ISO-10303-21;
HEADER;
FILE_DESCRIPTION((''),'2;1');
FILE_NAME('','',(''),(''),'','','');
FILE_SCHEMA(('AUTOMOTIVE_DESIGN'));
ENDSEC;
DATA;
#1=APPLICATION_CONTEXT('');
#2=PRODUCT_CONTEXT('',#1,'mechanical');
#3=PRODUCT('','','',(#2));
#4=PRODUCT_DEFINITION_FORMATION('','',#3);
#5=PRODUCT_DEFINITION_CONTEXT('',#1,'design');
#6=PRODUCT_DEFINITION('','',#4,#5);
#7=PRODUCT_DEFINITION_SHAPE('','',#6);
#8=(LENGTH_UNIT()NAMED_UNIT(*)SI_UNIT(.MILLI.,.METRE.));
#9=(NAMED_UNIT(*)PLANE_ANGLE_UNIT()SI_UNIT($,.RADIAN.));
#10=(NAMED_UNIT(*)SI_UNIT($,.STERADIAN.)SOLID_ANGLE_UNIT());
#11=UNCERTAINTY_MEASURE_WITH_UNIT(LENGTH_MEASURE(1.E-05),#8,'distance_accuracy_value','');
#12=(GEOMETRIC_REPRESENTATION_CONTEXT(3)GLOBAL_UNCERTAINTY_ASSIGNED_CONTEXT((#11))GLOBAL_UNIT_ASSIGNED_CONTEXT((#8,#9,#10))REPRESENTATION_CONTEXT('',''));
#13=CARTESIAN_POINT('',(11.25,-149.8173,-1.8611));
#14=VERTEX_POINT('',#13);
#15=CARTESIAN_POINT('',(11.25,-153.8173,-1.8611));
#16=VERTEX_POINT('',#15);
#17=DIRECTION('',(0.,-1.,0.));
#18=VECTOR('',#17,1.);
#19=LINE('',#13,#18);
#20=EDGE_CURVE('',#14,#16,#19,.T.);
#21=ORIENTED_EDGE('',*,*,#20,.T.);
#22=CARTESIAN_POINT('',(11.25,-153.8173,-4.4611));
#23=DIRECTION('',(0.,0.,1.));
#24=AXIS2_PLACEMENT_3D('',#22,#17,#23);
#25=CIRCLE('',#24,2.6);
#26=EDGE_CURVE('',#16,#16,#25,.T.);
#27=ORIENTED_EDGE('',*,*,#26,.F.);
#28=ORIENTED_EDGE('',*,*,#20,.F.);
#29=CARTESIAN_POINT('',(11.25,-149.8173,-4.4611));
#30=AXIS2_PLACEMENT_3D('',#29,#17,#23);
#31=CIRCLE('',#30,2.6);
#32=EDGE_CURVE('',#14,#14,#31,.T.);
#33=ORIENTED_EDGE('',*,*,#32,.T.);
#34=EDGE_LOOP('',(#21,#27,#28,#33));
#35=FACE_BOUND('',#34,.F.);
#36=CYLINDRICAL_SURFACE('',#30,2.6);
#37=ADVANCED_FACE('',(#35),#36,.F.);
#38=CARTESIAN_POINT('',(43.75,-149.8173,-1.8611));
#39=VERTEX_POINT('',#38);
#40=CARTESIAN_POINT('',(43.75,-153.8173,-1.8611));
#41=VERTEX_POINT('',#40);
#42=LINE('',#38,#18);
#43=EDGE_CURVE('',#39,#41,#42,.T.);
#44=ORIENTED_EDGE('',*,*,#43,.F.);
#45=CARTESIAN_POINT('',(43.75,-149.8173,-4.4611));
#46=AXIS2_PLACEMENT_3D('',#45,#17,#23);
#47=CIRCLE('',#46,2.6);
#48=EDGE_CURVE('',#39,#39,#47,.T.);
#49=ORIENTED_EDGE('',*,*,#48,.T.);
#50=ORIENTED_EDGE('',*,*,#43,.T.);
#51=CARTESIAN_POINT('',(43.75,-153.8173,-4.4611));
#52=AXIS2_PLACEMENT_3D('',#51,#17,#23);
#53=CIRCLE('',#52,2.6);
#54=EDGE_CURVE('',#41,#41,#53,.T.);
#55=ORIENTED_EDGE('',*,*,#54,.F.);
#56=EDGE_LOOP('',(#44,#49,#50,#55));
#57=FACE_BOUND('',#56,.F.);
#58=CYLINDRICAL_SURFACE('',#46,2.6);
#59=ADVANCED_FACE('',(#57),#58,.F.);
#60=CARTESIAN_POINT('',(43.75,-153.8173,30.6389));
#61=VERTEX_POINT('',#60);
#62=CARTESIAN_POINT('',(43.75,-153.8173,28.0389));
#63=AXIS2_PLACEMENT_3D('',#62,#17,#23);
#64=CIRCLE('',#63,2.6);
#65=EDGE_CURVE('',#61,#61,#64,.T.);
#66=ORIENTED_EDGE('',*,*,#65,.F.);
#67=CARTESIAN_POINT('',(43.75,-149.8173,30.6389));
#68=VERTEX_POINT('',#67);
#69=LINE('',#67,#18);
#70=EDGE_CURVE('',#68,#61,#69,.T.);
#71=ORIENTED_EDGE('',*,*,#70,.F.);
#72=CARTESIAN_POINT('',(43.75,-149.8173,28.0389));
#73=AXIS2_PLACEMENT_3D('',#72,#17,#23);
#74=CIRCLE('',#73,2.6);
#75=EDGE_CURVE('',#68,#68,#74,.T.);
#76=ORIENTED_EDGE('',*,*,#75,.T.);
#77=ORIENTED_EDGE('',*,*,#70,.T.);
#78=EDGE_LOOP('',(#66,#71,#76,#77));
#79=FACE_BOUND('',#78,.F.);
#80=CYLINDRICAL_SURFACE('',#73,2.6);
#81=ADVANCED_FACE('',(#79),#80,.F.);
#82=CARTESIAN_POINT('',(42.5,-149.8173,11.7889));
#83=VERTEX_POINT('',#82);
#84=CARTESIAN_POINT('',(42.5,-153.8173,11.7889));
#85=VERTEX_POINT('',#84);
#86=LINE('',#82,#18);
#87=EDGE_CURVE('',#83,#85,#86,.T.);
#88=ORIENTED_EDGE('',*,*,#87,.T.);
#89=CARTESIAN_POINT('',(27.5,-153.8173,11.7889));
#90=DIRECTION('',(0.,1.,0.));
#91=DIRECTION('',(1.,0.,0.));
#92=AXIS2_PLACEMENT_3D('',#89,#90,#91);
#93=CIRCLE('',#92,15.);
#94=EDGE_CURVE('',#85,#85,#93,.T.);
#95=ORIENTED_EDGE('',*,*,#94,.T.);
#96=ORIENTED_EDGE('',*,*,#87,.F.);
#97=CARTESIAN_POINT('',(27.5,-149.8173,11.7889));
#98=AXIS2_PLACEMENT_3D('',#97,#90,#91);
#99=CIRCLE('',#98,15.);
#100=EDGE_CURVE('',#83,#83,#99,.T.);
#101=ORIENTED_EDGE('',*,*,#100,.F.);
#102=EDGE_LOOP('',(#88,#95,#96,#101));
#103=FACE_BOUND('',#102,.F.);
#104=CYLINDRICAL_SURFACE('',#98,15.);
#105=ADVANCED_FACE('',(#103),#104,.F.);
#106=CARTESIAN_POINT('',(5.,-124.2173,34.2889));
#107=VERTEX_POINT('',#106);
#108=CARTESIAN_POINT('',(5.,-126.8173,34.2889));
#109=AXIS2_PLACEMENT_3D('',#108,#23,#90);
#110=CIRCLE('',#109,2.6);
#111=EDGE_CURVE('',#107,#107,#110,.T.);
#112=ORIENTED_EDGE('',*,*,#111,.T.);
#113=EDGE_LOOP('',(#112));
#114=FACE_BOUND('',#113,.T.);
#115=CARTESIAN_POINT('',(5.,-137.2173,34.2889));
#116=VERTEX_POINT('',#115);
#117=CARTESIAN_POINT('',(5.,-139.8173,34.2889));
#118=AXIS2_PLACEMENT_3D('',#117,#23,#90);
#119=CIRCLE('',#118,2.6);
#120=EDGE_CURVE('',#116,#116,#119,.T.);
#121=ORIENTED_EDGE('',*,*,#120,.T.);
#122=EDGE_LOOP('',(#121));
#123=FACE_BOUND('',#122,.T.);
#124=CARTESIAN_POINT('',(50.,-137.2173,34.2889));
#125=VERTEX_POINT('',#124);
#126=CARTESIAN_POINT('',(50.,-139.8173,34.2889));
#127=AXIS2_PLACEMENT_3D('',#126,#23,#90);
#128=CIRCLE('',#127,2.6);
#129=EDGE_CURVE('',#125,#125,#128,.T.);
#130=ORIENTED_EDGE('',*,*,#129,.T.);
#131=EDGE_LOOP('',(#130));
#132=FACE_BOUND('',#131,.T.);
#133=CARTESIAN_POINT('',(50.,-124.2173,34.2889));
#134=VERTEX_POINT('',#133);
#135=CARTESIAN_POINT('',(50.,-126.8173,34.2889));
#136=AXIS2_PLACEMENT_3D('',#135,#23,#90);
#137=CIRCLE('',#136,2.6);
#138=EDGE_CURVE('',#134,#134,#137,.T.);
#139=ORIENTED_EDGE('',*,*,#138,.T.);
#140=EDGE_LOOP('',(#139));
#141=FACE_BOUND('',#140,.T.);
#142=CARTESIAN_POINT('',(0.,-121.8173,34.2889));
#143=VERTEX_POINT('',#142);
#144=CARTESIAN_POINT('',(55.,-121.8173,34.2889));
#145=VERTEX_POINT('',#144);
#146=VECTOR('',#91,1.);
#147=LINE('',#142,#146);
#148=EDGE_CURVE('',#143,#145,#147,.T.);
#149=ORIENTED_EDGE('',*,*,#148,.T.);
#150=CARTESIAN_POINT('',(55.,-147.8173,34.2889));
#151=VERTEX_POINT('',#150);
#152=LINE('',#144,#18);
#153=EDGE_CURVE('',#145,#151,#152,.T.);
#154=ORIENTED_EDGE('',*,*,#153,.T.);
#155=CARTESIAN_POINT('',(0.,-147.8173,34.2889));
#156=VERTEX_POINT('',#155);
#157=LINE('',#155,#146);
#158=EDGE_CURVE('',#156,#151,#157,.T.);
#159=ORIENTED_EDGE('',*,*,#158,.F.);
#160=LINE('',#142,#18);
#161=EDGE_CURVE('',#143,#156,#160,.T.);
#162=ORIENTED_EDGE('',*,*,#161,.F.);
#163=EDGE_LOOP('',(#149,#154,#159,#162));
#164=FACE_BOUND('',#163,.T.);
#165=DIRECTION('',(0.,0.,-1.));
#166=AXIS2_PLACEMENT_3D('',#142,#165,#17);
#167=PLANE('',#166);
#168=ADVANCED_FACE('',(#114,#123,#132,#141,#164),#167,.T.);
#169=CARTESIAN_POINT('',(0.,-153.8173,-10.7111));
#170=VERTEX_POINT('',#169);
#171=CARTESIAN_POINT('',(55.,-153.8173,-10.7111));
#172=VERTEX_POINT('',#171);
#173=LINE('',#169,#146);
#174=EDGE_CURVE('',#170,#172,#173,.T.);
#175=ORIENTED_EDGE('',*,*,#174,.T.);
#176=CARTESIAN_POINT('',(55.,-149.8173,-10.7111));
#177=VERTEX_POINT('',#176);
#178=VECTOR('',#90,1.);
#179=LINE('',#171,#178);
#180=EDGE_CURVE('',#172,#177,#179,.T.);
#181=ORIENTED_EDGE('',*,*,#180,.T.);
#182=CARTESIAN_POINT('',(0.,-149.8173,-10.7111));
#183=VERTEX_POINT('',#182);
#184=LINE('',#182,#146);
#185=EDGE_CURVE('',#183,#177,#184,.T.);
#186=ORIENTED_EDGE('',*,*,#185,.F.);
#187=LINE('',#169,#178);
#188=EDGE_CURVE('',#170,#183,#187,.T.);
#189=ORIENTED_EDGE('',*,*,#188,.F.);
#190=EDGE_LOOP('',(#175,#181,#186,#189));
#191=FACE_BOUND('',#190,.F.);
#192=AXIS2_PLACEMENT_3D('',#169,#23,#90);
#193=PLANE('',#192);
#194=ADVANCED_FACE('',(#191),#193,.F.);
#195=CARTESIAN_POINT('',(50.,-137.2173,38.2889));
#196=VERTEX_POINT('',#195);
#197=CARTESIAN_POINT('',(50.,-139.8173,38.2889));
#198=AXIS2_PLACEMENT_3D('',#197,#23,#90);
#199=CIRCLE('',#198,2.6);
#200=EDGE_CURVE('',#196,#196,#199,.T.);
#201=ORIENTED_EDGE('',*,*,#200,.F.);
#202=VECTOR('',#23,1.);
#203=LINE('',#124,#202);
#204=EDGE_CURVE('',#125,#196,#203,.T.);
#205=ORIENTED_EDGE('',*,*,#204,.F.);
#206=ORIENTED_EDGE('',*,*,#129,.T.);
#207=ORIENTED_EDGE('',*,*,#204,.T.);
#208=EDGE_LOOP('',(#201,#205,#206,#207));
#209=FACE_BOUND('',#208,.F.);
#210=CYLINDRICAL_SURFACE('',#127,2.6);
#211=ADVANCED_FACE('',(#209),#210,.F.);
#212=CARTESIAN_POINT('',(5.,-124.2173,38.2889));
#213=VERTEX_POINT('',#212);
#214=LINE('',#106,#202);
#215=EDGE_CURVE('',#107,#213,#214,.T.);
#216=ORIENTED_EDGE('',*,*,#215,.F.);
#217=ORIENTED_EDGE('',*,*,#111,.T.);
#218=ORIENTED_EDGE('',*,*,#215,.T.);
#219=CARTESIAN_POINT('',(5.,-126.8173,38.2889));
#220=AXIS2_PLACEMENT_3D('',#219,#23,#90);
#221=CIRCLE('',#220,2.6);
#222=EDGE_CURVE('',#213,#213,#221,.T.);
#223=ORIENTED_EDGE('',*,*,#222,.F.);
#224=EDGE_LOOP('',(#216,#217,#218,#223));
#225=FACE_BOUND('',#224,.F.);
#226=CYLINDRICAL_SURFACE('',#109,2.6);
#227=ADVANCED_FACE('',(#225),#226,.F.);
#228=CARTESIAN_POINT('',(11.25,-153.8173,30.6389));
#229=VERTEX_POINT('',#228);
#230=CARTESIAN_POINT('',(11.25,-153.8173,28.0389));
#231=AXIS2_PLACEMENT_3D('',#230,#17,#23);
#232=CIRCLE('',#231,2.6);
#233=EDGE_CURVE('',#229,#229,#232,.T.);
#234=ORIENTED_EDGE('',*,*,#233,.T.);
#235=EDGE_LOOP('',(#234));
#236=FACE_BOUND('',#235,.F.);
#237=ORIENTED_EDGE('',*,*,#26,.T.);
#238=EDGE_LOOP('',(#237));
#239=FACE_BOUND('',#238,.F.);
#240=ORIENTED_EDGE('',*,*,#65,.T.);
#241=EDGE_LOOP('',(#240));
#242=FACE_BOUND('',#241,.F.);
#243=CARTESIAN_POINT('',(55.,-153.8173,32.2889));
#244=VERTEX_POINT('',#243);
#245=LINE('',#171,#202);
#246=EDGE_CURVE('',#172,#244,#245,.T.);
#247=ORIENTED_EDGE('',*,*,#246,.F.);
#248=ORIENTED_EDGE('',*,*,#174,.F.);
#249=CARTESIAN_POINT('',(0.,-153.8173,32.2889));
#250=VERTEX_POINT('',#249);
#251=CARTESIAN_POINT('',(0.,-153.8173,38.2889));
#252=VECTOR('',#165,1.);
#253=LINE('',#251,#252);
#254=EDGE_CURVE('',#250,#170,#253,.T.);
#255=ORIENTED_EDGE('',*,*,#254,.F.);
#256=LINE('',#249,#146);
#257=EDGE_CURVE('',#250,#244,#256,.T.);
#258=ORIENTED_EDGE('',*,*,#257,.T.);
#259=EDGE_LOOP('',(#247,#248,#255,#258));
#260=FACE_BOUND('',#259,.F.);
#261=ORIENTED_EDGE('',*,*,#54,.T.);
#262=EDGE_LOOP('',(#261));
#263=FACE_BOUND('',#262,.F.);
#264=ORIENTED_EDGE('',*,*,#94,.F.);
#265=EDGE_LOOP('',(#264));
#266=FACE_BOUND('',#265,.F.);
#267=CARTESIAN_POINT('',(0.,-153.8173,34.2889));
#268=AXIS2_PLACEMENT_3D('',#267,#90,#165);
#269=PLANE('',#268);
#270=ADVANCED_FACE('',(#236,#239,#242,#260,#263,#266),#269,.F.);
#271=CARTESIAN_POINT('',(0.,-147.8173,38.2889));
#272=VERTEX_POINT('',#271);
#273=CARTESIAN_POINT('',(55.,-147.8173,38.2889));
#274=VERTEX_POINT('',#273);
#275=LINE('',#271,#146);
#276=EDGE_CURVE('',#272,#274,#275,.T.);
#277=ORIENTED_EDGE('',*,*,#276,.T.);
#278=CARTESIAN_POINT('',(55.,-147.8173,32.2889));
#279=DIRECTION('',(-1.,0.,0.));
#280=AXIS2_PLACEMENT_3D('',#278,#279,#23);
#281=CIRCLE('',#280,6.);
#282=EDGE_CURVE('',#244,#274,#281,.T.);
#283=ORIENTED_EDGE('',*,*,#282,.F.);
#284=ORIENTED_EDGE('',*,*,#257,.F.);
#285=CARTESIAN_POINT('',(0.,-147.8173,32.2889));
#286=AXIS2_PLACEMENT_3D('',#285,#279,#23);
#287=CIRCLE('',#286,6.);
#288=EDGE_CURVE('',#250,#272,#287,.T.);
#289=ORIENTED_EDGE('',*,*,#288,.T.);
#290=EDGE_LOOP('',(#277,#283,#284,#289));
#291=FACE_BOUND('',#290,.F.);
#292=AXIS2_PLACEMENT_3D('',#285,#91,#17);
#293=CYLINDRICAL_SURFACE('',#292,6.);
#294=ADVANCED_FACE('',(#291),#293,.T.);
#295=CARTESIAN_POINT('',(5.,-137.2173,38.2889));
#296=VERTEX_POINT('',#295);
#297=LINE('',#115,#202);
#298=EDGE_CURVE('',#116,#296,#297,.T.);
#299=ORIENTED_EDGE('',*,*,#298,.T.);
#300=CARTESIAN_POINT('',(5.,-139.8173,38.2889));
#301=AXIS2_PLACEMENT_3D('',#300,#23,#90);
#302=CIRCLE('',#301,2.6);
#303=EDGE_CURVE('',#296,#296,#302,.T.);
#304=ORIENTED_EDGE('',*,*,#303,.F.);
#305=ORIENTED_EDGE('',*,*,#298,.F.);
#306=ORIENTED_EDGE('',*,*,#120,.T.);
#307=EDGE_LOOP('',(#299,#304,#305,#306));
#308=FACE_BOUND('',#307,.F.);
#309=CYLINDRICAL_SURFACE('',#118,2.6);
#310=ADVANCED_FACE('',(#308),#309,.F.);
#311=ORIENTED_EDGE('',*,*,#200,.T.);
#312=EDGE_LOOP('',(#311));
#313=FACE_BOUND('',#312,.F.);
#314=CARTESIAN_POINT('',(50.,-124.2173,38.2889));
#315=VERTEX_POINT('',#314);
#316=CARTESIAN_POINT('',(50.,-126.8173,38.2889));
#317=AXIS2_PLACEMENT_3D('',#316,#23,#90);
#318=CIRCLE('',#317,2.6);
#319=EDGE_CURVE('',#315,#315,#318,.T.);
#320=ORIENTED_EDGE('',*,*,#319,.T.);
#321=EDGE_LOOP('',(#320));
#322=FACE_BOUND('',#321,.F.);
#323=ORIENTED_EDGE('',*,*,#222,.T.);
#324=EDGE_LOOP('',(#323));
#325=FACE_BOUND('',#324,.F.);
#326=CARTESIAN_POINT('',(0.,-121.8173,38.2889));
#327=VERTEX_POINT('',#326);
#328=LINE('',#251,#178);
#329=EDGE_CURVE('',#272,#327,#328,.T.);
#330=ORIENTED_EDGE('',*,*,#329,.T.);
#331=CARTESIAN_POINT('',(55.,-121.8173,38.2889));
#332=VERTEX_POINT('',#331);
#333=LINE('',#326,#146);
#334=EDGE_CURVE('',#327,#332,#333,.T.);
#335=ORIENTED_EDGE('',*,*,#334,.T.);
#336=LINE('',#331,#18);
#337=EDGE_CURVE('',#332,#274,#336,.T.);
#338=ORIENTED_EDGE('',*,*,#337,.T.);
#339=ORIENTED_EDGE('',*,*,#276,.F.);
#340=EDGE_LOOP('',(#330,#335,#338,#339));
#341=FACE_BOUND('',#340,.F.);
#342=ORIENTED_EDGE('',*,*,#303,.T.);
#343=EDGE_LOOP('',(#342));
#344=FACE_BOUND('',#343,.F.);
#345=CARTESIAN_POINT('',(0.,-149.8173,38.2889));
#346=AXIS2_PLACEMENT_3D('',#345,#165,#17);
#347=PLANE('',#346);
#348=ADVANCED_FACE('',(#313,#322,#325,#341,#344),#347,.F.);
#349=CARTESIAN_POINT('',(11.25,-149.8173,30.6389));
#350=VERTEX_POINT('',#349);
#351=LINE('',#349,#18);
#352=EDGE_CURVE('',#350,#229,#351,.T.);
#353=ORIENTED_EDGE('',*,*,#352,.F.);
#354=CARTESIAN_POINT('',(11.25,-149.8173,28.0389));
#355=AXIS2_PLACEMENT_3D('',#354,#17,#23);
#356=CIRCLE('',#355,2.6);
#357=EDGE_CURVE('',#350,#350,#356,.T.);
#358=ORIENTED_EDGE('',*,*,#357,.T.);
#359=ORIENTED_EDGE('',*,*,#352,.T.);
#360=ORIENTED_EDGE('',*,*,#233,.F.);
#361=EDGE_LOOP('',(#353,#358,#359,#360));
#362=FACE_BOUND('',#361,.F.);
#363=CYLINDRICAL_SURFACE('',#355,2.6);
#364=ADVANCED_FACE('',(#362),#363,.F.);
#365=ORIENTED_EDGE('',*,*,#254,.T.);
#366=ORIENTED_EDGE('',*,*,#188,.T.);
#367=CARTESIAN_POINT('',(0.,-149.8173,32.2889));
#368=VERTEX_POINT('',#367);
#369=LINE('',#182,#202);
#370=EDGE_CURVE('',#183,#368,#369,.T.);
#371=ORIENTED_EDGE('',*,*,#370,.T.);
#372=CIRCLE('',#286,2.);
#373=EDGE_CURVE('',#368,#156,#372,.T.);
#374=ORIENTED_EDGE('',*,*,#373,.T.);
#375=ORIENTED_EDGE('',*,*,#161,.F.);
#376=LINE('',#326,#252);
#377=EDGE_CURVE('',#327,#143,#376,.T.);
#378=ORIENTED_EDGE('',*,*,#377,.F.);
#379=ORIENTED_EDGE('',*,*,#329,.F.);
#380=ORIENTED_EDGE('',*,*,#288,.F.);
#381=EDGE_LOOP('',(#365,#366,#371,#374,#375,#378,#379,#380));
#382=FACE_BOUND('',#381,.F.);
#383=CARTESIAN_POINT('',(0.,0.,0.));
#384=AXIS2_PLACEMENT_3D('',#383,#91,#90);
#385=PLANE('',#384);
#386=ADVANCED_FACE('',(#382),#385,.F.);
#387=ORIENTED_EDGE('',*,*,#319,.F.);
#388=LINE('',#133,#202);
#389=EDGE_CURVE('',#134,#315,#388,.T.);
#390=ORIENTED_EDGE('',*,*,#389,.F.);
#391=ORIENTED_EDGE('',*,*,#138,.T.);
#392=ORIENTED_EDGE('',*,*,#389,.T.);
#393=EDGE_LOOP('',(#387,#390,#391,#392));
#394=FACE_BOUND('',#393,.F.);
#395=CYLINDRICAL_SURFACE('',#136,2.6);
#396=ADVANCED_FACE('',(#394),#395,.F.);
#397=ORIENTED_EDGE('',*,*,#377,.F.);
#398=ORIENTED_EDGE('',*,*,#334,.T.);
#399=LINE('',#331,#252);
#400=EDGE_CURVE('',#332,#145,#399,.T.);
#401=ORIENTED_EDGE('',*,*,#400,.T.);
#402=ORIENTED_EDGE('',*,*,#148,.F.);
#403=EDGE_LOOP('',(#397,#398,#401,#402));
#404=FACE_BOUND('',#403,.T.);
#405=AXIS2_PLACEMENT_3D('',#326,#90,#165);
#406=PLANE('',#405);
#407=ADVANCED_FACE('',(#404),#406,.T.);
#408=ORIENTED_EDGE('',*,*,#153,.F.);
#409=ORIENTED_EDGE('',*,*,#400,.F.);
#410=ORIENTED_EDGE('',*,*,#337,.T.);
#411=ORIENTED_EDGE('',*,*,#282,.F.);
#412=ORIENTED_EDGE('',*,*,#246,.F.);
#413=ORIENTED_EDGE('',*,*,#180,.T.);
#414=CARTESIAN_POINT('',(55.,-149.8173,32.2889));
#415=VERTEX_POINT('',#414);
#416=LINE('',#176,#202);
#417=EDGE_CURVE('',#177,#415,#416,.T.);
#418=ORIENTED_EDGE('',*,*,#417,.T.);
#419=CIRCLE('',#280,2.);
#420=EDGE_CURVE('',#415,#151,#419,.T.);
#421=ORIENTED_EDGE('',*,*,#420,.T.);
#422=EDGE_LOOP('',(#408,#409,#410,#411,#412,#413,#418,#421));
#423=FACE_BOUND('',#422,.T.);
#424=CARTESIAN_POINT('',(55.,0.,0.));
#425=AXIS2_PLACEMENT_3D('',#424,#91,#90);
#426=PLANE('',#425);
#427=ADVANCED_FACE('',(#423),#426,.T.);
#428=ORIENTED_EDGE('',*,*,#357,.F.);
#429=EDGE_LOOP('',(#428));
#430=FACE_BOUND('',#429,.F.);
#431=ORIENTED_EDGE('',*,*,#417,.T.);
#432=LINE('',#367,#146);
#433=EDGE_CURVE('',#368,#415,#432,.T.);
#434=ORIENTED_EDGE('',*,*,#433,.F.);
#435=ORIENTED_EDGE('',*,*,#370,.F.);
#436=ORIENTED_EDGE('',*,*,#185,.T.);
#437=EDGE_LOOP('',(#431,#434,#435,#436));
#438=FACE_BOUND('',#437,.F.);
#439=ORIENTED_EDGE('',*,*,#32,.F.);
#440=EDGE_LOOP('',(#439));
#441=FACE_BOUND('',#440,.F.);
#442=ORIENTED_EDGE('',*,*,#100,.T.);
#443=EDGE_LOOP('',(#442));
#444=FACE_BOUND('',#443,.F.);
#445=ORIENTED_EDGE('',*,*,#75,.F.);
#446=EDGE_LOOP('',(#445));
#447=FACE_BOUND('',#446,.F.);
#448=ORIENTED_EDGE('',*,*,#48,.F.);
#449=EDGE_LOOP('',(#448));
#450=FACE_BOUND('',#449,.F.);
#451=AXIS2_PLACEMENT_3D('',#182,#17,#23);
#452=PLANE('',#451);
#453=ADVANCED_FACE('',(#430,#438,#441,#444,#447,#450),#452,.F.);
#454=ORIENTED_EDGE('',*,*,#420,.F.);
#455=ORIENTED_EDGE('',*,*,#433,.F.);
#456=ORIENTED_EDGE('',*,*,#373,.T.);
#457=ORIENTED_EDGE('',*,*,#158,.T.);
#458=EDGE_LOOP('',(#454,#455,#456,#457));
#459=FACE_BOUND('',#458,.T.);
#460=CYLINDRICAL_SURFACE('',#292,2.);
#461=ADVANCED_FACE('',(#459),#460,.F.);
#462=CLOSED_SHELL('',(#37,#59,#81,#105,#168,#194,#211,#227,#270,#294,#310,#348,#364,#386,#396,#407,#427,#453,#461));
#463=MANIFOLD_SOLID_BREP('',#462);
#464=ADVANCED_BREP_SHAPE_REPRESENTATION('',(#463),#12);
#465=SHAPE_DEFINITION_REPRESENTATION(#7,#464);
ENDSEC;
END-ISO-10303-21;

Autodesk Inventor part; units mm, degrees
ref_plane "YZ Plane" through (0, 0, 0) normal (1, 0, 0) x (0, 1, 0)
ref_plane "XZ Plane" through (0, 0, 0) normal (0, 1, 0) x (-1, 0, 0)
ref_plane "XY Plane" through (0, 0, 0) normal (0, 0, 1) x (1, 0, 0)
sketch "Skizze1" plane through (0, 0, 0) normal (1, 0, 0) x (0, 1, 0)
  line L0 (-153.8173, -10.7111) -> (-149.8173, -10.7111)
  line L1 (-149.8173, -10.7111) -> (-149.8173, 38.2889)
  line L2 (-149.8173, 38.2889) -> (-153.8173, 38.2889)
  line L3 (-153.8173, 38.2889) -> (-153.8173, -10.7111)
  line L4 (-153.8173, 38.2889) -> (-121.8173, 38.2889)
  line L5 (-121.8173, 38.2889) -> (-121.8173, 34.2889)
  line L6 (-121.8173, 34.2889) -> (-153.8173, 34.2889)
  line L7 (-153.8173, 34.2889) -> (-153.8173, 38.2889)
  point P0 (0, 0)
  point P1 (-149.8173, 34.2889)
  point P2 (-151.8173, -10.7111)
  dimension "d0" = 4
  dimension "d2" = 32
  dimension "d3" = 4
  dimension "d10" = 45
extrude "Extrusion1" add sketch "Skizze1" along normal blind 55
fillet "Rundung1" radius 2 1 edges at (27.5, -149.8173, 34.2889)
fillet "Rundung2" radius 6 1 edges at (27.5, -153.8173, 38.2889)
sketch "Skizze2" plane through (0, -149.8173, -10.7111) normal (0, 1, 0) x (1, 0, 0)
  line L0 (0, -45) -> (55, -45) projected
  line L1 (55, -43) -> (0, -43) projected
  line L2 (55, 0) -> (55, -43) projected
  point P0 (0, -10.7111)
  point P1 (43.75, -38.75)
  dimension "d9" = 4.25
  dimension "d24" = 11.25
hole "Bohrung1" at (43.75, -149.8173, 28.0389) direction (0, -1, 0) diameter 5.2 end through all
pattern_linear "Rechteckige Anordnung1" count 2 spacing 32.5 along (-1, 0, 0) count 2 spacing 32.5 along (0, 0, -1) of "Bohrung1"
sketch "Skizze3" plane through (55, -121.8173, 34.2889) normal (0, 0, -1) x (-1, 0, 0)
  line L0 (55, -28) -> (0, -28) projected
  line L1 (55, -26) -> (0, -26) projected
  line L2 (0, -26) -> (0, 0) projected
  point P0 (55, 121.8173)
  point P1 (5, -18)
  dimension "d27" = 5
  dimension "d28" = 10
hole "Bohrung2" at (50, -139.8173, 34.2889) direction (0, 0, 1) diameter 5.2 end through all
pattern_linear "Rechteckige Anordnung2" count 2 spacing 13 along (0, 1, 0) count 2 spacing 45 along (-1, 0, 0) of "Bohrung2"
sketch "Skizze4" plane through (0, -149.8173, -10.7111) normal (0, 1, 0) x (1, 0, 0)
  circle A0 centre (43.75, -38.75) radius 2.6 construction
  circle A1 centre (11.25, -6.25) radius 2.6 construction
  line L0 (43.75, -38.75) -> (11.25, -38.75) construction
  line L1 (11.25, -38.75) -> (11.25, -6.25) construction
  line L2 (11.25, -6.25) -> (43.75, -6.25) construction
  line L3 (43.75, -6.25) -> (43.75, -38.75) construction
  line L4 (43.75, -38.75) -> (11.25, -6.25) construction
  line L5 (43.75, -6.25) -> (11.25, -38.75) construction
  circle A2 centre (27.5, -22.5) radius 15
  point P0 (0, -10.7111)
  dimension "d42" = 30
extrude "Extrusion2" cut sketch "Skizze4" against normal through all
properties part number "TS_V1_Fallmagazin_Zylinderhalter_int"
